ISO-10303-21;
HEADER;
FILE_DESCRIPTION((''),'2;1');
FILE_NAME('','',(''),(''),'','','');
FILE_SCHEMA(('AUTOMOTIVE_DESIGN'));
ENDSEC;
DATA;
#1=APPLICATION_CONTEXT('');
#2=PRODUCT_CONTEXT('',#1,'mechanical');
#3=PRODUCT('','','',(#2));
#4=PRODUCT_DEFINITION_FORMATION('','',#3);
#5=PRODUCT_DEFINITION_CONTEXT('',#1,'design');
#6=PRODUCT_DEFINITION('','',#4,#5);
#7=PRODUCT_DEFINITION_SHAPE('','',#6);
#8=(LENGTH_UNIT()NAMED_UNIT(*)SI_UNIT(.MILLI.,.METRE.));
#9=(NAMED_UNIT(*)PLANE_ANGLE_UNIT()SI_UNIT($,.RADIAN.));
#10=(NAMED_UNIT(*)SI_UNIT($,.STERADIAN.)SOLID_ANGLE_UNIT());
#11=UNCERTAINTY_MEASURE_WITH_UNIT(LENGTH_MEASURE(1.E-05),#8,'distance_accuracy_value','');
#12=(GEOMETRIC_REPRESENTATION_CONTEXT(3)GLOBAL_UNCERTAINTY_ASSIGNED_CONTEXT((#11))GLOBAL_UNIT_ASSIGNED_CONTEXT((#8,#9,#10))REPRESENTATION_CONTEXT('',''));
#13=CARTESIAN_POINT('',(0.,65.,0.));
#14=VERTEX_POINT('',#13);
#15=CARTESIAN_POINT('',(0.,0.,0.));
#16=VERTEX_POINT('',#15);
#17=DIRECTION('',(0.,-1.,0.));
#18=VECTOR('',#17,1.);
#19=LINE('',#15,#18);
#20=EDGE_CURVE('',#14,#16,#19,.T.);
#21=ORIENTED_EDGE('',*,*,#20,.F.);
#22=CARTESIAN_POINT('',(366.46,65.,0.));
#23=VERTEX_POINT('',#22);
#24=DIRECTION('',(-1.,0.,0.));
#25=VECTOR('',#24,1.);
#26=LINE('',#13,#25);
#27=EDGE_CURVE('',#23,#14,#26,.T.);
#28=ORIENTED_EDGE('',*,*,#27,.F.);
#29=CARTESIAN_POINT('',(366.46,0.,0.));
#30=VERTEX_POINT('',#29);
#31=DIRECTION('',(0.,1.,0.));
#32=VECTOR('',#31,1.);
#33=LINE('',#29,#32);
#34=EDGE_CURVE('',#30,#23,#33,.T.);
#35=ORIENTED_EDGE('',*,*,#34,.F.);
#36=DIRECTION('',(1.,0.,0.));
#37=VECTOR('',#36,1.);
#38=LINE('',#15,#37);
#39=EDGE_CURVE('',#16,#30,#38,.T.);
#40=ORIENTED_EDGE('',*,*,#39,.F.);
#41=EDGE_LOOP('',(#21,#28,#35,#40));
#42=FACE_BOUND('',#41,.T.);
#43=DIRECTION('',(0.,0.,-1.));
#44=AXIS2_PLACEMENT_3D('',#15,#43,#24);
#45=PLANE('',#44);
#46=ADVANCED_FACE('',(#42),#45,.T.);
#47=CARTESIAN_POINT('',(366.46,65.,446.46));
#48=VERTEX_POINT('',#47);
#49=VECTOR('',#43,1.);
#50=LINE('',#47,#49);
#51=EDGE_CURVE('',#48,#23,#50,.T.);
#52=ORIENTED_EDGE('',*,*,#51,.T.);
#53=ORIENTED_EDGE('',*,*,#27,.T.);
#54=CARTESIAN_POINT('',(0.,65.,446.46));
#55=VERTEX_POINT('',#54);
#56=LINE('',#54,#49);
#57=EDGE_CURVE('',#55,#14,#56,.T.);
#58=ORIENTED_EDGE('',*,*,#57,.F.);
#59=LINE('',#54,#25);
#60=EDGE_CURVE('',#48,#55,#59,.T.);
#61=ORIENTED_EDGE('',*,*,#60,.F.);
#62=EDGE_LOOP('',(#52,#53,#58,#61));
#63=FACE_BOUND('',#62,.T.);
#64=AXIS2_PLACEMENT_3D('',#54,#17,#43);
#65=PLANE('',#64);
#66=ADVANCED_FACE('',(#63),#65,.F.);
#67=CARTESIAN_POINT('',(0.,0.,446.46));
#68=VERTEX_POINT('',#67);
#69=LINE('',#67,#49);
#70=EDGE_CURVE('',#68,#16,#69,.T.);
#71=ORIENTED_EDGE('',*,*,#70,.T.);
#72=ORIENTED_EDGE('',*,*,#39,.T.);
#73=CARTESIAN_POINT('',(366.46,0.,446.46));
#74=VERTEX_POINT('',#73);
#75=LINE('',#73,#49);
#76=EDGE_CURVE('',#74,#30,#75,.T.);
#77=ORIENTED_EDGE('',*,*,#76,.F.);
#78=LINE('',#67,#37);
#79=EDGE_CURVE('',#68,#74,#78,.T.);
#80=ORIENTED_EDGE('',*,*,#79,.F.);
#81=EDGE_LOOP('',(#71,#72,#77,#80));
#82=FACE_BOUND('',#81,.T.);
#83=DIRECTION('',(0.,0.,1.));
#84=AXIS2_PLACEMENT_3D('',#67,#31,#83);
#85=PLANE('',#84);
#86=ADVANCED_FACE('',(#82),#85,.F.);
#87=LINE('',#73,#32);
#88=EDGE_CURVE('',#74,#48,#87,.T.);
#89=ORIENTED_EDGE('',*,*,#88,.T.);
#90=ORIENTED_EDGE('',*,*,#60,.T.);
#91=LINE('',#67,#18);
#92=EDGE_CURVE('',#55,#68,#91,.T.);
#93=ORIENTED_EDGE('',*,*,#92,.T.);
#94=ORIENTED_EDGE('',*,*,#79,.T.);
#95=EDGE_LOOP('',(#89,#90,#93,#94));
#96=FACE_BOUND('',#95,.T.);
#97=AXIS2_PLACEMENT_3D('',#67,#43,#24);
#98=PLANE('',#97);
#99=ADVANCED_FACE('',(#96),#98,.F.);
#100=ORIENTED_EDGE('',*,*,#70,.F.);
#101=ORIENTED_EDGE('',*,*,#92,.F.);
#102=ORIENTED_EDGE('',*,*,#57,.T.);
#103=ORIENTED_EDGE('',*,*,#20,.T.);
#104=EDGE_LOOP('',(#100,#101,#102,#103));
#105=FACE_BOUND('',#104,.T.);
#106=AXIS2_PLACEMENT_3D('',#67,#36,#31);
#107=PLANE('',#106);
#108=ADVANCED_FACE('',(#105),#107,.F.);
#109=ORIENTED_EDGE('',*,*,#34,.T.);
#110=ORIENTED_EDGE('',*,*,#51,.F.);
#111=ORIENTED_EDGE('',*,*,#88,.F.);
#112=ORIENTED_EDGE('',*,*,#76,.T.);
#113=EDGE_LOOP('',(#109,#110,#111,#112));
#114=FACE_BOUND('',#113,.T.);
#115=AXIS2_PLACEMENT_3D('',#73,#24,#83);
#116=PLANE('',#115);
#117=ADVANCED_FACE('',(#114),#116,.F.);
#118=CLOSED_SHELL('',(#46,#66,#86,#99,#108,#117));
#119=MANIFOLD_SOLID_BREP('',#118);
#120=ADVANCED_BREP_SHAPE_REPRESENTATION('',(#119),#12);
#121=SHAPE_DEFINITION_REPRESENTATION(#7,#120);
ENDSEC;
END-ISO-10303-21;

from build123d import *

# Parameters (mm, degrees)
ESQUISSE1_W        = 366.46
ESQUISSE1_H        = 65
BOSS_EXTRU_2_DEPTH = 446.46


with BuildPart() as part:
    # Esquisse1 → Boss.-Extru.2 (new body)
    with BuildSketch(Plane.XY):
        with Locations((183.23, 32.5)):
            Rectangle(ESQUISSE1_W, ESQUISSE1_H)
    extrude(amount=BOSS_EXTRU_2_DEPTH)


solid = part.part
